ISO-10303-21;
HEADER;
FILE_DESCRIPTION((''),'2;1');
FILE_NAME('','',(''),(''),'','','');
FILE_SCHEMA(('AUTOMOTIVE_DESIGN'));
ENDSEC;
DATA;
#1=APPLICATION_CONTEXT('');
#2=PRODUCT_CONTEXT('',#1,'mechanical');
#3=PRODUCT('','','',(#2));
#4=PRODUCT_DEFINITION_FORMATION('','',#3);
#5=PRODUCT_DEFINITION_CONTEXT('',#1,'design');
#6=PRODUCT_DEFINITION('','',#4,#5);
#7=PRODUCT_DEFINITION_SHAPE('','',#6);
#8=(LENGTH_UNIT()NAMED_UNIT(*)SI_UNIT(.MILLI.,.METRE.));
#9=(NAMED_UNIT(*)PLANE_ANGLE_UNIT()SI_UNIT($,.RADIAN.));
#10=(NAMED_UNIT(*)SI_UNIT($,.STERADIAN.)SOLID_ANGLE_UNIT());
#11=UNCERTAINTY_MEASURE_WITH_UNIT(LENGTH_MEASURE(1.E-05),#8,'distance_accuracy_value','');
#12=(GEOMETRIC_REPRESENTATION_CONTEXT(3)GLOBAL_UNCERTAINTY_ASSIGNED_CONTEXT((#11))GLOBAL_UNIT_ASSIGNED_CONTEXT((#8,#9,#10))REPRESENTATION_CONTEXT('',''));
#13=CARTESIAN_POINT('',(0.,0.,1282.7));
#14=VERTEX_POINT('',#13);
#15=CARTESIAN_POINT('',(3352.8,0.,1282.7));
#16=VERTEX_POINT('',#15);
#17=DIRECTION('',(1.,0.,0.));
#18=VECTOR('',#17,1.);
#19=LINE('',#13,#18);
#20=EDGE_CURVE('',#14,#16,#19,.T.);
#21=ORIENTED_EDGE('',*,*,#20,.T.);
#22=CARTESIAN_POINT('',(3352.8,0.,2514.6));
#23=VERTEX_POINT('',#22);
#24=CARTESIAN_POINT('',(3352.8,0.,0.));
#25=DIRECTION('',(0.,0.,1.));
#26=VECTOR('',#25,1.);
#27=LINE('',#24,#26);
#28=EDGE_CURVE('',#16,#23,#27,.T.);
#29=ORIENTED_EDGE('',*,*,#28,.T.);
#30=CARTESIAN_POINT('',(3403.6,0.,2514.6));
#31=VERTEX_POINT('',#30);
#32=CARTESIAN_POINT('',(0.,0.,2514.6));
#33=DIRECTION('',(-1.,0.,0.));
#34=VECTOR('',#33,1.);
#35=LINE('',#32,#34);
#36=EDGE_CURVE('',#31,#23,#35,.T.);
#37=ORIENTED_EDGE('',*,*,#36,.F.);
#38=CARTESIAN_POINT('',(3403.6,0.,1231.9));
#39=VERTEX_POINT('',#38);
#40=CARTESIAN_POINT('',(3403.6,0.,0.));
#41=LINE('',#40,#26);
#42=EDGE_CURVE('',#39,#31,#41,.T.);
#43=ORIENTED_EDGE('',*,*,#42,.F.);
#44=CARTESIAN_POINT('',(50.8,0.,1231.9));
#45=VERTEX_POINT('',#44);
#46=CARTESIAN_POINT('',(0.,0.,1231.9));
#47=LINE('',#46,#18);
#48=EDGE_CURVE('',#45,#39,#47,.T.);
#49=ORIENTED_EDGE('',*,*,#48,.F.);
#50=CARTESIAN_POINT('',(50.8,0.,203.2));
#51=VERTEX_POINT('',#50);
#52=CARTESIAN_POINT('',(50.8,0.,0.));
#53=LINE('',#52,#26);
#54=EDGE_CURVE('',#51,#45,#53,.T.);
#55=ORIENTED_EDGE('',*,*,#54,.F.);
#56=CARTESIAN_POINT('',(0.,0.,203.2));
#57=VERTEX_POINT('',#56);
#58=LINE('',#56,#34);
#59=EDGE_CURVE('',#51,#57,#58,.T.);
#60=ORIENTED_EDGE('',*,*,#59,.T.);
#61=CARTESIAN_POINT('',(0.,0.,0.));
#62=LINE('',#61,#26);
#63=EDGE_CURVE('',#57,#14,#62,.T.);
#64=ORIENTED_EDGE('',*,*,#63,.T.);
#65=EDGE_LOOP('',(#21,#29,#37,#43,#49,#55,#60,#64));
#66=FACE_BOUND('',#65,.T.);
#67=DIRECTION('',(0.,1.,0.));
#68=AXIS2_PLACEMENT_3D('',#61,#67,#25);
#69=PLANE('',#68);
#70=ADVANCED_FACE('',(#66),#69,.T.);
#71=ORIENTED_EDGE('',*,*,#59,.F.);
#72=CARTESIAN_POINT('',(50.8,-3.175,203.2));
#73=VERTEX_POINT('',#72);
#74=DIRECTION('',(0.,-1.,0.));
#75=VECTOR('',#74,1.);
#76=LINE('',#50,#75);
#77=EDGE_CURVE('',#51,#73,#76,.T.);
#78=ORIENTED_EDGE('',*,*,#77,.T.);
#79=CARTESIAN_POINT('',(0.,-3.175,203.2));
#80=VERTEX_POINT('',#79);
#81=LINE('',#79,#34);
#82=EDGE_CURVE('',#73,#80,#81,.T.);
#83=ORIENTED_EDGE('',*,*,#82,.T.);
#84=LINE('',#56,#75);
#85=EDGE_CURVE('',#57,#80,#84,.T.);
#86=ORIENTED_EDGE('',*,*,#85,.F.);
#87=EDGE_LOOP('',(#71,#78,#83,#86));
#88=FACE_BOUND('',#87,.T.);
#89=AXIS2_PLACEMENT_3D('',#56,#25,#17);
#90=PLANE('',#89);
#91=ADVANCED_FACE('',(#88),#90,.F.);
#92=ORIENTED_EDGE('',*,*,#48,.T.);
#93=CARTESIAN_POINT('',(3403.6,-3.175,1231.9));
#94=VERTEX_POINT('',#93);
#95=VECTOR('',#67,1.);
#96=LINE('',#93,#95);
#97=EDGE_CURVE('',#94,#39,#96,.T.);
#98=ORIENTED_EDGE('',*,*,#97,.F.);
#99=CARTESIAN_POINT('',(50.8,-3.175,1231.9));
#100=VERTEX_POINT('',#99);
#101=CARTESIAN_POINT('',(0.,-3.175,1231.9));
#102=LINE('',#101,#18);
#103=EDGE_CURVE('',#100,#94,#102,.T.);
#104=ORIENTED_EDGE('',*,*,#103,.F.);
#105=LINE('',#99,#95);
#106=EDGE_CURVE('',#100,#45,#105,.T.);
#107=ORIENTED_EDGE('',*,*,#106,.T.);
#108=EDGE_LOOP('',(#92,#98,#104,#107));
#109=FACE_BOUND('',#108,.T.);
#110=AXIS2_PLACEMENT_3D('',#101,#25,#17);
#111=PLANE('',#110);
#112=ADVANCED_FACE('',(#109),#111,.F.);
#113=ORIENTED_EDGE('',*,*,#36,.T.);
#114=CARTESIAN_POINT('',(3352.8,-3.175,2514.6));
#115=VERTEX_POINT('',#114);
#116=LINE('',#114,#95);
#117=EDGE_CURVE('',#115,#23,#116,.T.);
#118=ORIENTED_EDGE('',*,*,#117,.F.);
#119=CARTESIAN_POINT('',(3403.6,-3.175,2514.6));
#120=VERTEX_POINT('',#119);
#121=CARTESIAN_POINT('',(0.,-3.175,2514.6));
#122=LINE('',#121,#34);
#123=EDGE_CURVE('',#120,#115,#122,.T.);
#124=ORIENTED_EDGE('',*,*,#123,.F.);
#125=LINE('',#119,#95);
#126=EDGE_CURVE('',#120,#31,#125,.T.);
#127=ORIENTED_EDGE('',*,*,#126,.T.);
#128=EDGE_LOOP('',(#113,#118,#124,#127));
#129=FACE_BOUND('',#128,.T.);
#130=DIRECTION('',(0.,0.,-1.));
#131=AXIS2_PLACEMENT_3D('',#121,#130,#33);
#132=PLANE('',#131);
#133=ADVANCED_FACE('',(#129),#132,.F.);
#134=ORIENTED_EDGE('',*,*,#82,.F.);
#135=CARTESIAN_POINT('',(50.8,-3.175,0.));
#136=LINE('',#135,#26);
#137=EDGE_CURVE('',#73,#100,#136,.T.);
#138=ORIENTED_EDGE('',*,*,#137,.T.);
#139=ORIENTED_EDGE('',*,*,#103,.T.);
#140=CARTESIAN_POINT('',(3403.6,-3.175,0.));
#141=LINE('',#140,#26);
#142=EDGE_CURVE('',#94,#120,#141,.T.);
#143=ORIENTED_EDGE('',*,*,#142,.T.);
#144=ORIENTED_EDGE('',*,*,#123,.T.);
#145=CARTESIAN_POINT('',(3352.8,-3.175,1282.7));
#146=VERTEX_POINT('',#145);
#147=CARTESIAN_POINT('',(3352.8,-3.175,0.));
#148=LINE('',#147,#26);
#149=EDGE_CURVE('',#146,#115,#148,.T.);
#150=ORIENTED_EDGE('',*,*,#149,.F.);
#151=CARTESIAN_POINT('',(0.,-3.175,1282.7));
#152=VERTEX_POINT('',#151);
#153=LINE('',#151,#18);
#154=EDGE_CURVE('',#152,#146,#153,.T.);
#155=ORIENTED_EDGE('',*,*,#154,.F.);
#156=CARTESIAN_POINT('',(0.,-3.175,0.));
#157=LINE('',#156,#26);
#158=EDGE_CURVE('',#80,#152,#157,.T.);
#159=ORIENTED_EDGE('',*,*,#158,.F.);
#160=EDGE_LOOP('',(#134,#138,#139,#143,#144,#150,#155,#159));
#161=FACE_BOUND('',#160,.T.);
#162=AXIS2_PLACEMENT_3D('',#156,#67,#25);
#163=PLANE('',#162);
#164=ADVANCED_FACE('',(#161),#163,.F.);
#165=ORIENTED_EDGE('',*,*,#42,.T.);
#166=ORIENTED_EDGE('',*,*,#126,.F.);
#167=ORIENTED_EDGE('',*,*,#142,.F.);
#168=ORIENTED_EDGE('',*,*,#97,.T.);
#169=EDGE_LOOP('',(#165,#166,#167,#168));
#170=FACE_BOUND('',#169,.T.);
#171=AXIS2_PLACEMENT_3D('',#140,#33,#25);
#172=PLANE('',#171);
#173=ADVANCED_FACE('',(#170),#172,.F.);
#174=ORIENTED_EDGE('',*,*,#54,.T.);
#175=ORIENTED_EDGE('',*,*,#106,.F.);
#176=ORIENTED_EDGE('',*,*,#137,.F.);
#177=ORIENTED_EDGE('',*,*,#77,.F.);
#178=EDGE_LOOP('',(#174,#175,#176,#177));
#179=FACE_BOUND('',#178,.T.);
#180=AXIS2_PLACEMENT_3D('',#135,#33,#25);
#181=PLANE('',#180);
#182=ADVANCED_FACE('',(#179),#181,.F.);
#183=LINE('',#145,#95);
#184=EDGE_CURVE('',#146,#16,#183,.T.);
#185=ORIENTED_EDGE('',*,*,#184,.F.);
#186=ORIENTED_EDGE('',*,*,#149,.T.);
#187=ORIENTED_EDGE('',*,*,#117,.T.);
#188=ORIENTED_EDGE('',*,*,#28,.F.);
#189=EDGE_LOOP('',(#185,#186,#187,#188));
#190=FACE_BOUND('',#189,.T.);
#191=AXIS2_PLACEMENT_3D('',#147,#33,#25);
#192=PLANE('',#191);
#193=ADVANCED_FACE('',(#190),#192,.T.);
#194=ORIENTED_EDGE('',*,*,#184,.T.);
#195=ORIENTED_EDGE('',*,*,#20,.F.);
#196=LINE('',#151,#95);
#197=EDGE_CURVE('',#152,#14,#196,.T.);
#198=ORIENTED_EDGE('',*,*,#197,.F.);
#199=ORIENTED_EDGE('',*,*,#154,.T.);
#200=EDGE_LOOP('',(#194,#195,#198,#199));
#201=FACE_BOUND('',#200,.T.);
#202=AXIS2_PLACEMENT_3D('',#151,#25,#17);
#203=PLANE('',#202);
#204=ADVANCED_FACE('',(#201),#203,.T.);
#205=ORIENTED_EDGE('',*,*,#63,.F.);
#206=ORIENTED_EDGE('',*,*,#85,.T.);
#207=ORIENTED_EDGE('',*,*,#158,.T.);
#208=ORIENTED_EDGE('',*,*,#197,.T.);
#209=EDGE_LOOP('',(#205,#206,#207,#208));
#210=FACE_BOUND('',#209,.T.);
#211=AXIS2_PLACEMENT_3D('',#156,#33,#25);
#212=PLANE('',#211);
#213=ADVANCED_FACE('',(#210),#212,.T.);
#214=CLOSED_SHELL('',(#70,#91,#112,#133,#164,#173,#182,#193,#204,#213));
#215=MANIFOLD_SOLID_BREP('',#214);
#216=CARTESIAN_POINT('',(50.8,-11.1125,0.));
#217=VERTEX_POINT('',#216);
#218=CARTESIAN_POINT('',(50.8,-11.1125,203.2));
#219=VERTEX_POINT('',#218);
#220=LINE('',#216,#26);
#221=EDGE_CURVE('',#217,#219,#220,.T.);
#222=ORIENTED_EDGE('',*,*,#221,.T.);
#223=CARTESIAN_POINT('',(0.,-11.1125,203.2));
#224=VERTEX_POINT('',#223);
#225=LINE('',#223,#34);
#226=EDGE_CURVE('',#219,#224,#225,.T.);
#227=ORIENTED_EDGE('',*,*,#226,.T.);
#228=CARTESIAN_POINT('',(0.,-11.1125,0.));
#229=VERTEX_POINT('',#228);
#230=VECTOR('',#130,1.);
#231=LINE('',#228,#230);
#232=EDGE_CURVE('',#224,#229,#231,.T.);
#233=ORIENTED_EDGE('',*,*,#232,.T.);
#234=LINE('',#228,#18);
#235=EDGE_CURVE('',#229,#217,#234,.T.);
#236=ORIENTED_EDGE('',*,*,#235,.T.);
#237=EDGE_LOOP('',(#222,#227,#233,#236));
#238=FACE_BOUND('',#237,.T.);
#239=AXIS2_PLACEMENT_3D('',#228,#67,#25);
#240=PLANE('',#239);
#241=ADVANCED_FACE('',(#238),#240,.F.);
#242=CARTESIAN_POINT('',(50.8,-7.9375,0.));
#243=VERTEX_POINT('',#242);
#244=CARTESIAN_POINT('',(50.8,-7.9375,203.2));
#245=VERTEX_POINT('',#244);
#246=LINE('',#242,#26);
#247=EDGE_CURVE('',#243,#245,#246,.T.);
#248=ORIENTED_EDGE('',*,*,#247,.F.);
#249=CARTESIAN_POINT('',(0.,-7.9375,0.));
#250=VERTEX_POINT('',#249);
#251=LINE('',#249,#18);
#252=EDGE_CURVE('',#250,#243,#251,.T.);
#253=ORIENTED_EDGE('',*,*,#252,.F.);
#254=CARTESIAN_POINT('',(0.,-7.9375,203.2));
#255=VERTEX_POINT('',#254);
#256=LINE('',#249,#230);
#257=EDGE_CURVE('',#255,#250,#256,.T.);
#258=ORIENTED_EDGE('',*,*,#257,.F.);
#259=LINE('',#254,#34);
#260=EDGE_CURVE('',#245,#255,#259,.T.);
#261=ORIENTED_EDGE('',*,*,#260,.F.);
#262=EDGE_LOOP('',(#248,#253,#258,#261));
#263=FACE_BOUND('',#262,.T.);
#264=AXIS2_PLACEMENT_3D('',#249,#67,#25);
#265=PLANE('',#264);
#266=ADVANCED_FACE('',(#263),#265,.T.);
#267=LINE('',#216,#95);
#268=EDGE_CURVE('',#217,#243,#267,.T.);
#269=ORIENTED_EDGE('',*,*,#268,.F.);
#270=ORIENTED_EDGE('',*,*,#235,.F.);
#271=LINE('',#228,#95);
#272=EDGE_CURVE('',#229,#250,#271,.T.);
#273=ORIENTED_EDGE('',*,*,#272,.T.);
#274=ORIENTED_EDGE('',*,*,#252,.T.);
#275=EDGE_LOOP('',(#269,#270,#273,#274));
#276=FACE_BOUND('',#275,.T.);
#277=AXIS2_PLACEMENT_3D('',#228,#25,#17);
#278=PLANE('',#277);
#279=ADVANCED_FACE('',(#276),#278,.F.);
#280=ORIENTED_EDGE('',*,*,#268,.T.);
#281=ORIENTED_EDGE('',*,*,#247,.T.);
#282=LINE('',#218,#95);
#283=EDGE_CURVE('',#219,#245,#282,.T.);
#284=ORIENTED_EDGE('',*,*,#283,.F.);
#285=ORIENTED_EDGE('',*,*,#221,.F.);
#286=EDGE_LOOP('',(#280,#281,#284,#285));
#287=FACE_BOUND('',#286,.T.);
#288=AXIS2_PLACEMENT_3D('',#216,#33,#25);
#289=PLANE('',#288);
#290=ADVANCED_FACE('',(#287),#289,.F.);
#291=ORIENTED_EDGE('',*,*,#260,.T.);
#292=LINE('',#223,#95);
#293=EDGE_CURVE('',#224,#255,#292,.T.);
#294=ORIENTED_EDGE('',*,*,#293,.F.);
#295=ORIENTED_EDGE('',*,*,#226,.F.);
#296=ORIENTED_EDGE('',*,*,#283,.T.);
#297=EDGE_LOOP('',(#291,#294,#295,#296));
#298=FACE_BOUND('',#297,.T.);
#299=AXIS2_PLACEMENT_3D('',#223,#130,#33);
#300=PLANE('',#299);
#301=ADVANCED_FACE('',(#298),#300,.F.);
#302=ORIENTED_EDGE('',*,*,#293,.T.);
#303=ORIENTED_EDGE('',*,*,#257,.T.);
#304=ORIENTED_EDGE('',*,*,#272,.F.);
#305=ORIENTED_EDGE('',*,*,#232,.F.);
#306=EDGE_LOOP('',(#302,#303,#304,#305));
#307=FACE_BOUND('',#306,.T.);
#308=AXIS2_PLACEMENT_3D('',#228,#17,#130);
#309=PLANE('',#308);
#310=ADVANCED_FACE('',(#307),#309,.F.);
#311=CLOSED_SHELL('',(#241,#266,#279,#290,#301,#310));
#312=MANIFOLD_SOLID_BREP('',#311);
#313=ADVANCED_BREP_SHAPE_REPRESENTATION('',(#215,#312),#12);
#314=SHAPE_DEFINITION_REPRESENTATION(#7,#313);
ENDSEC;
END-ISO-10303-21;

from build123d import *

# Parameters (mm, degrees)
SKETCH4_W           = 50.8
SKETCH4_H           = 1231.9
SKETCH4_H_2         = 50.8
BOSS_EXTRUDE4_DEPTH = 3.175
SKETCH7_W           = 50.8
SKETCH7_H           = 203.2
CUT_EXTRUDE1_DEPTH  = 4232.750961555
SKETCH8_W           = 50.8
SKETCH8_H           = 203.2
BOSS_EXTRUDE5_DEPTH = 3.175


with BuildPart() as part:
    # Sketch4 → Boss-Extrude4 (new body)
    with BuildSketch(Plane(origin=(0, 0, 0), x_dir=(1, 0, 0), z_dir=(0, 1, 0))):
        with Locations((25.4, -615.95)):
            Rectangle(SKETCH4_W, SKETCH4_H)
        Polygon((3352.8, -1231.9), (50.8, -1231.9), (0, -1231.9), (0, -1282.7), (3352.8, -1282.7), align=None)
        with Locations((3378.2, -1257.3)):
            Rectangle(SKETCH4_W, SKETCH4_H_2)
        with Locations((3378.2, -1898.65)):
            Rectangle(SKETCH4_W, SKETCH4_H)
    extrude(amount=-BOSS_EXTRUDE4_DEPTH)

    # Sketch7 → Cut-Extrude1 (cut, through all)
    with BuildSketch(Plane.XZ.offset(3.175)):
        with Locations((25.4, 101.6)):
            Rectangle(SKETCH7_W, SKETCH7_H)
    extrude(amount=-CUT_EXTRUDE1_DEPTH, mode=Mode.SUBTRACT)


with BuildPart() as body_2:
    # Sketch8 → Boss-Extrude5 (new body)
    with BuildSketch(Plane(origin=(0, -7.9375, 0), x_dir=(-1, 0, 0), z_dir=(0, -1, 0))):
        with Locations((-25.4, -101.6)):
            Rectangle(SKETCH8_W, SKETCH8_H)
    extrude(amount=BOSS_EXTRUDE5_DEPTH)


solid = Compound([part.part, body_2.part])
